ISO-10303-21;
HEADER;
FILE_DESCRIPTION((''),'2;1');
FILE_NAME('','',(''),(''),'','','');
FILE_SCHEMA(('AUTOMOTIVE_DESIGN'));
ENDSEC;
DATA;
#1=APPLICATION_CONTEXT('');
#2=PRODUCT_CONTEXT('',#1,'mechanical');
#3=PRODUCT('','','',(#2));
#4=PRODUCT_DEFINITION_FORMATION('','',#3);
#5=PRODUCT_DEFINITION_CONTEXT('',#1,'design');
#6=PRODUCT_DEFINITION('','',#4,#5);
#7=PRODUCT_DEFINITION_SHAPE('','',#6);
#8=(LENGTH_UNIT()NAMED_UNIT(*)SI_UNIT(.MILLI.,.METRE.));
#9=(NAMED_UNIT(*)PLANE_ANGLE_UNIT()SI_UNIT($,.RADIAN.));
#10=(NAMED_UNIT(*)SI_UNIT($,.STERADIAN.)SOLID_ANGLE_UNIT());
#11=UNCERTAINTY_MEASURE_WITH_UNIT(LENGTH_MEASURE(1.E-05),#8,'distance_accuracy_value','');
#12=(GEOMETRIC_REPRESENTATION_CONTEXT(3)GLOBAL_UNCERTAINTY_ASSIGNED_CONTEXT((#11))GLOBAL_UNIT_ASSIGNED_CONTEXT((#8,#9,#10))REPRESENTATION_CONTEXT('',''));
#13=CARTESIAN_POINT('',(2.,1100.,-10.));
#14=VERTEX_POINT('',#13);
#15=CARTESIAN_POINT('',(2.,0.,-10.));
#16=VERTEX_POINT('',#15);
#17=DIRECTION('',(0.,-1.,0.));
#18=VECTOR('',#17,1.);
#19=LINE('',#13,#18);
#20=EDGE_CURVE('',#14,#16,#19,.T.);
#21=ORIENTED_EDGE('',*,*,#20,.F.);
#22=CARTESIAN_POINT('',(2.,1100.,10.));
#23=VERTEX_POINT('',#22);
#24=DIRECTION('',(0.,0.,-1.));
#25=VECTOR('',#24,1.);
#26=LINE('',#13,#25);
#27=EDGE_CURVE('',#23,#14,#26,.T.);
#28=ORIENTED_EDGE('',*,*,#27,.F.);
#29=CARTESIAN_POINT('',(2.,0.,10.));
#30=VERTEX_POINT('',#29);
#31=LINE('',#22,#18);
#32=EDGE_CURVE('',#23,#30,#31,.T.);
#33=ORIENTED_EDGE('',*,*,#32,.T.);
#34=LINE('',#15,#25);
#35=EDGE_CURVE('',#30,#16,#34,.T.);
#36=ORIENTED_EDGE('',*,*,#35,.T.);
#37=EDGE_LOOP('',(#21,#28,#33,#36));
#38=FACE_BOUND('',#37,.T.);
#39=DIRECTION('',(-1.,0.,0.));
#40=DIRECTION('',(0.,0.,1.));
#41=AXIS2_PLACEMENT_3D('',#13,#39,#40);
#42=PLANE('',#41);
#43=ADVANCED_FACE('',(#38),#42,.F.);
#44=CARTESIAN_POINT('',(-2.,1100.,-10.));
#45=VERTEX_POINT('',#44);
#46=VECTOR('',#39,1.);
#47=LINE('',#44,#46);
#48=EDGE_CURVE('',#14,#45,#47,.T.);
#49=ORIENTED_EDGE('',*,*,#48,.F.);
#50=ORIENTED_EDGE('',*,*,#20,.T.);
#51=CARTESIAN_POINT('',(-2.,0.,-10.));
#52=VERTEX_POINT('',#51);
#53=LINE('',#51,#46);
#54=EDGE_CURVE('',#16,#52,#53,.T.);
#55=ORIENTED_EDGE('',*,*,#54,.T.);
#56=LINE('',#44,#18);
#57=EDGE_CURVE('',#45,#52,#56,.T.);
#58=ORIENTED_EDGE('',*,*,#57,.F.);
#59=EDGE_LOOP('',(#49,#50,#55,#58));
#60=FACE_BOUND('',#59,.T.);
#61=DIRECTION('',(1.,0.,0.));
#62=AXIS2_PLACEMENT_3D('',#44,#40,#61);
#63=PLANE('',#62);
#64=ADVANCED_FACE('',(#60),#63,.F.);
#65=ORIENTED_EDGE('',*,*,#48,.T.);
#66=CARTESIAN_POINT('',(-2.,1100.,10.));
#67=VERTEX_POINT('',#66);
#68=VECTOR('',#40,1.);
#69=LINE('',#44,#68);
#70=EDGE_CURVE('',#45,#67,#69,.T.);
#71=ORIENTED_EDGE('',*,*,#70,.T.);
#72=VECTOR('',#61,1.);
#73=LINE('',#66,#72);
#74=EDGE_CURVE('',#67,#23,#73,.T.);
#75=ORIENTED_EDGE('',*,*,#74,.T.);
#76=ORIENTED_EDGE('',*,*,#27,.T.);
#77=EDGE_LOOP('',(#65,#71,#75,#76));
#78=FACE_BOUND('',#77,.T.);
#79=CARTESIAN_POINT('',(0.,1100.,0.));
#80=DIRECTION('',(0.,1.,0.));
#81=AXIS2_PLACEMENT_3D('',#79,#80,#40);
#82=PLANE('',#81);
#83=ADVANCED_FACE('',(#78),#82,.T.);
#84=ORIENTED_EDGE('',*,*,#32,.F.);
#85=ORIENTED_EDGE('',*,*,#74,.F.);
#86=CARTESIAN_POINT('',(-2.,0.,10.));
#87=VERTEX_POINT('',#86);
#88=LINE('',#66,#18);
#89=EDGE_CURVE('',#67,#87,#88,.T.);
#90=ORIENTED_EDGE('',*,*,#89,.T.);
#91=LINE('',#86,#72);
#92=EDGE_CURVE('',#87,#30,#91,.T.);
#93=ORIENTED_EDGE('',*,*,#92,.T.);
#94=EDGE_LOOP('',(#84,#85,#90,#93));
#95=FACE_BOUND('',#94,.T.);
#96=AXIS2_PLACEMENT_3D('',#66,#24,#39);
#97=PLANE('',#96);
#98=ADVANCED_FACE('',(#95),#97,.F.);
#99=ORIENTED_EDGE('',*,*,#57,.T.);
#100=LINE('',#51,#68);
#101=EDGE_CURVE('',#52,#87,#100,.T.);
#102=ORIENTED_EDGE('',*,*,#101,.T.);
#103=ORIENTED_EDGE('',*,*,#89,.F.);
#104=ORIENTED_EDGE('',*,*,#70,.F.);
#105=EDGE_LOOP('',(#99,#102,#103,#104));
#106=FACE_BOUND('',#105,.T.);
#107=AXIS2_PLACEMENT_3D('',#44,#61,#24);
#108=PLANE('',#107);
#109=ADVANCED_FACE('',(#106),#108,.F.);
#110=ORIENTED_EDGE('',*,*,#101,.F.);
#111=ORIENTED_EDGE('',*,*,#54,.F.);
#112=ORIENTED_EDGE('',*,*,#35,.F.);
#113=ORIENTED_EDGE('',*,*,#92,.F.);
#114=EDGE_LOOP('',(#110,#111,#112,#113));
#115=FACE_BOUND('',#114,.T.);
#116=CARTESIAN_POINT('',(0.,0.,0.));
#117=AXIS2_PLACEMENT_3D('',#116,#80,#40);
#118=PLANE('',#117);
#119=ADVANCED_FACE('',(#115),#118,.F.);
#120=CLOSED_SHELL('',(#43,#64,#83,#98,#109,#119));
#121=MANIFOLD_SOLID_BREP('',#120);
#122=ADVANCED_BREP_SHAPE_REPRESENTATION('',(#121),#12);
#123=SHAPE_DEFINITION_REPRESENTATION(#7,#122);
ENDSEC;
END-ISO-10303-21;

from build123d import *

# Parameters (mm, degrees)
SKETCH_1_W      = 4
SKETCH_1_H      = 20
EXTRUDE_1_DEPTH = 1100


with BuildPart() as part:
    # Эскиз1 → Бобышка-Вытянуть1 (new body)
    with BuildSketch(Plane(origin=(0, 0, 0), x_dir=(1, 0, 0), z_dir=(0, 1, 0))):
        Rectangle(SKETCH_1_W, SKETCH_1_H)
    extrude(amount=EXTRUDE_1_DEPTH)


solid = part.part
